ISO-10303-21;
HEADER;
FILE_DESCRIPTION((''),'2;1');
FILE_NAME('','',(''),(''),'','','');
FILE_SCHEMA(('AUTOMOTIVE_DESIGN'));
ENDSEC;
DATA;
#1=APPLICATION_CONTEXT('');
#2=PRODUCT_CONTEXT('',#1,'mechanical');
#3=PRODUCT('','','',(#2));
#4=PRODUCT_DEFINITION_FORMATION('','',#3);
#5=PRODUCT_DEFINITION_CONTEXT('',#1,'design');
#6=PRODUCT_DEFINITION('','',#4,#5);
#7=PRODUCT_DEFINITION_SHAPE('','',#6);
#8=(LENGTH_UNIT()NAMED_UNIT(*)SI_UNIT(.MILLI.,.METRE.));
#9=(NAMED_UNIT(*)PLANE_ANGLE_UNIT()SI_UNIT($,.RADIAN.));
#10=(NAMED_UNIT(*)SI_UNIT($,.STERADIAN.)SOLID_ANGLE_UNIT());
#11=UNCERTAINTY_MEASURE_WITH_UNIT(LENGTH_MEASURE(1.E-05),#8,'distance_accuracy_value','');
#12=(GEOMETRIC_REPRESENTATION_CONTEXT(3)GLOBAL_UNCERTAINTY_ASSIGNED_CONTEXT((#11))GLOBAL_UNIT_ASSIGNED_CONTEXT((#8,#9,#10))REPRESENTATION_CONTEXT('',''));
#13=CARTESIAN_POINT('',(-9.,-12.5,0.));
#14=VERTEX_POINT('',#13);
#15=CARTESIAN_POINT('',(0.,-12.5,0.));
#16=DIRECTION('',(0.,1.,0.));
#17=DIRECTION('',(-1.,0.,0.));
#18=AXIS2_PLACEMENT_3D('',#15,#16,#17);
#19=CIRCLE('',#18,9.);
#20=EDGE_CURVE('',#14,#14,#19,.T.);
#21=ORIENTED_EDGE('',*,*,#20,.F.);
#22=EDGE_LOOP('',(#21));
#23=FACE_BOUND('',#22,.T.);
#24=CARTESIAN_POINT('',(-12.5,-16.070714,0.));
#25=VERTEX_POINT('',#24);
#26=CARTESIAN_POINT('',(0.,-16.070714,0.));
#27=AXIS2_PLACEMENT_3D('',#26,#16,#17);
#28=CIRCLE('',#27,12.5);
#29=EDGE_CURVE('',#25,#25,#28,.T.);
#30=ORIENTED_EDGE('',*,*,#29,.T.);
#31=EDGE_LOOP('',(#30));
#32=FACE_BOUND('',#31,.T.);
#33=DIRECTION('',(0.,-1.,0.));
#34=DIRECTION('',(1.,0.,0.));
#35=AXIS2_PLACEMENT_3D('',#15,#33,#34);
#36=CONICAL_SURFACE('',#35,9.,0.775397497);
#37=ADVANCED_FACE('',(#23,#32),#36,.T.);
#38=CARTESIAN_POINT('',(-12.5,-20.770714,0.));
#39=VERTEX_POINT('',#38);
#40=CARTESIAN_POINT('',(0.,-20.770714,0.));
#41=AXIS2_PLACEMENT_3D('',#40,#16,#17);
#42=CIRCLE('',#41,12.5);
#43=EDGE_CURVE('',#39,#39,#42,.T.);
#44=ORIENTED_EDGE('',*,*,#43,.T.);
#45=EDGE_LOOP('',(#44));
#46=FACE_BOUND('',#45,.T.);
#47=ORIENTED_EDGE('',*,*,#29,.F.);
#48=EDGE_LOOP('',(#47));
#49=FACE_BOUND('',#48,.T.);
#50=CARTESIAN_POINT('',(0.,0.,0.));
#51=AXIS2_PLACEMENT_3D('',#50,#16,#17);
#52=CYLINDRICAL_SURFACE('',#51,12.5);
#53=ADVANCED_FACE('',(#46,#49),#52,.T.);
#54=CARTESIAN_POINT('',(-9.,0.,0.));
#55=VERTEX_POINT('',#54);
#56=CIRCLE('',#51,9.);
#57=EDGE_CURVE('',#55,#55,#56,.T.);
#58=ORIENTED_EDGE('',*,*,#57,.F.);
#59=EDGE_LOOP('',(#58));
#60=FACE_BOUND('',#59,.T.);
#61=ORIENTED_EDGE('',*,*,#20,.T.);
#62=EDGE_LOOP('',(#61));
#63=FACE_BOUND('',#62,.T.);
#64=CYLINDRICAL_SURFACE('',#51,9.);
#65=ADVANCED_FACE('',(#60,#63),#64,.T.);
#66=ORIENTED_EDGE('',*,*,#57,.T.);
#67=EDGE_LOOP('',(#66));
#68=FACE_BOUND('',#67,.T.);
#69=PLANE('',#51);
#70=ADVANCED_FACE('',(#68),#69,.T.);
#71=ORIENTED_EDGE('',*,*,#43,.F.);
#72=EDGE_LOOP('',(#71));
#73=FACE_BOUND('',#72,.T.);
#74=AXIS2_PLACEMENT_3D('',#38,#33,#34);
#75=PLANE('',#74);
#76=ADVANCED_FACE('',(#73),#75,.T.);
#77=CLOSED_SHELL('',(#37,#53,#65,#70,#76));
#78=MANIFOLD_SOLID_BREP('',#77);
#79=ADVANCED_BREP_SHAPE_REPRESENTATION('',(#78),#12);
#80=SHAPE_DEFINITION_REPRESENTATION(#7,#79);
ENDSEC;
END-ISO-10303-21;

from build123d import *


with BuildPart() as part:
    # Croquis1 → Revolución1 (revolve)
    with BuildSketch(Plane.XY):
        Polygon((0, 0), (-9, 0), (-9, -12.5), (-12.5, -16.070714214), (-12.5, -20.770714214), (0, -20.770714214), align=None)
    revolve(axis=Axis((0, 0, 0), (0, -1, 0)))


solid = part.part
